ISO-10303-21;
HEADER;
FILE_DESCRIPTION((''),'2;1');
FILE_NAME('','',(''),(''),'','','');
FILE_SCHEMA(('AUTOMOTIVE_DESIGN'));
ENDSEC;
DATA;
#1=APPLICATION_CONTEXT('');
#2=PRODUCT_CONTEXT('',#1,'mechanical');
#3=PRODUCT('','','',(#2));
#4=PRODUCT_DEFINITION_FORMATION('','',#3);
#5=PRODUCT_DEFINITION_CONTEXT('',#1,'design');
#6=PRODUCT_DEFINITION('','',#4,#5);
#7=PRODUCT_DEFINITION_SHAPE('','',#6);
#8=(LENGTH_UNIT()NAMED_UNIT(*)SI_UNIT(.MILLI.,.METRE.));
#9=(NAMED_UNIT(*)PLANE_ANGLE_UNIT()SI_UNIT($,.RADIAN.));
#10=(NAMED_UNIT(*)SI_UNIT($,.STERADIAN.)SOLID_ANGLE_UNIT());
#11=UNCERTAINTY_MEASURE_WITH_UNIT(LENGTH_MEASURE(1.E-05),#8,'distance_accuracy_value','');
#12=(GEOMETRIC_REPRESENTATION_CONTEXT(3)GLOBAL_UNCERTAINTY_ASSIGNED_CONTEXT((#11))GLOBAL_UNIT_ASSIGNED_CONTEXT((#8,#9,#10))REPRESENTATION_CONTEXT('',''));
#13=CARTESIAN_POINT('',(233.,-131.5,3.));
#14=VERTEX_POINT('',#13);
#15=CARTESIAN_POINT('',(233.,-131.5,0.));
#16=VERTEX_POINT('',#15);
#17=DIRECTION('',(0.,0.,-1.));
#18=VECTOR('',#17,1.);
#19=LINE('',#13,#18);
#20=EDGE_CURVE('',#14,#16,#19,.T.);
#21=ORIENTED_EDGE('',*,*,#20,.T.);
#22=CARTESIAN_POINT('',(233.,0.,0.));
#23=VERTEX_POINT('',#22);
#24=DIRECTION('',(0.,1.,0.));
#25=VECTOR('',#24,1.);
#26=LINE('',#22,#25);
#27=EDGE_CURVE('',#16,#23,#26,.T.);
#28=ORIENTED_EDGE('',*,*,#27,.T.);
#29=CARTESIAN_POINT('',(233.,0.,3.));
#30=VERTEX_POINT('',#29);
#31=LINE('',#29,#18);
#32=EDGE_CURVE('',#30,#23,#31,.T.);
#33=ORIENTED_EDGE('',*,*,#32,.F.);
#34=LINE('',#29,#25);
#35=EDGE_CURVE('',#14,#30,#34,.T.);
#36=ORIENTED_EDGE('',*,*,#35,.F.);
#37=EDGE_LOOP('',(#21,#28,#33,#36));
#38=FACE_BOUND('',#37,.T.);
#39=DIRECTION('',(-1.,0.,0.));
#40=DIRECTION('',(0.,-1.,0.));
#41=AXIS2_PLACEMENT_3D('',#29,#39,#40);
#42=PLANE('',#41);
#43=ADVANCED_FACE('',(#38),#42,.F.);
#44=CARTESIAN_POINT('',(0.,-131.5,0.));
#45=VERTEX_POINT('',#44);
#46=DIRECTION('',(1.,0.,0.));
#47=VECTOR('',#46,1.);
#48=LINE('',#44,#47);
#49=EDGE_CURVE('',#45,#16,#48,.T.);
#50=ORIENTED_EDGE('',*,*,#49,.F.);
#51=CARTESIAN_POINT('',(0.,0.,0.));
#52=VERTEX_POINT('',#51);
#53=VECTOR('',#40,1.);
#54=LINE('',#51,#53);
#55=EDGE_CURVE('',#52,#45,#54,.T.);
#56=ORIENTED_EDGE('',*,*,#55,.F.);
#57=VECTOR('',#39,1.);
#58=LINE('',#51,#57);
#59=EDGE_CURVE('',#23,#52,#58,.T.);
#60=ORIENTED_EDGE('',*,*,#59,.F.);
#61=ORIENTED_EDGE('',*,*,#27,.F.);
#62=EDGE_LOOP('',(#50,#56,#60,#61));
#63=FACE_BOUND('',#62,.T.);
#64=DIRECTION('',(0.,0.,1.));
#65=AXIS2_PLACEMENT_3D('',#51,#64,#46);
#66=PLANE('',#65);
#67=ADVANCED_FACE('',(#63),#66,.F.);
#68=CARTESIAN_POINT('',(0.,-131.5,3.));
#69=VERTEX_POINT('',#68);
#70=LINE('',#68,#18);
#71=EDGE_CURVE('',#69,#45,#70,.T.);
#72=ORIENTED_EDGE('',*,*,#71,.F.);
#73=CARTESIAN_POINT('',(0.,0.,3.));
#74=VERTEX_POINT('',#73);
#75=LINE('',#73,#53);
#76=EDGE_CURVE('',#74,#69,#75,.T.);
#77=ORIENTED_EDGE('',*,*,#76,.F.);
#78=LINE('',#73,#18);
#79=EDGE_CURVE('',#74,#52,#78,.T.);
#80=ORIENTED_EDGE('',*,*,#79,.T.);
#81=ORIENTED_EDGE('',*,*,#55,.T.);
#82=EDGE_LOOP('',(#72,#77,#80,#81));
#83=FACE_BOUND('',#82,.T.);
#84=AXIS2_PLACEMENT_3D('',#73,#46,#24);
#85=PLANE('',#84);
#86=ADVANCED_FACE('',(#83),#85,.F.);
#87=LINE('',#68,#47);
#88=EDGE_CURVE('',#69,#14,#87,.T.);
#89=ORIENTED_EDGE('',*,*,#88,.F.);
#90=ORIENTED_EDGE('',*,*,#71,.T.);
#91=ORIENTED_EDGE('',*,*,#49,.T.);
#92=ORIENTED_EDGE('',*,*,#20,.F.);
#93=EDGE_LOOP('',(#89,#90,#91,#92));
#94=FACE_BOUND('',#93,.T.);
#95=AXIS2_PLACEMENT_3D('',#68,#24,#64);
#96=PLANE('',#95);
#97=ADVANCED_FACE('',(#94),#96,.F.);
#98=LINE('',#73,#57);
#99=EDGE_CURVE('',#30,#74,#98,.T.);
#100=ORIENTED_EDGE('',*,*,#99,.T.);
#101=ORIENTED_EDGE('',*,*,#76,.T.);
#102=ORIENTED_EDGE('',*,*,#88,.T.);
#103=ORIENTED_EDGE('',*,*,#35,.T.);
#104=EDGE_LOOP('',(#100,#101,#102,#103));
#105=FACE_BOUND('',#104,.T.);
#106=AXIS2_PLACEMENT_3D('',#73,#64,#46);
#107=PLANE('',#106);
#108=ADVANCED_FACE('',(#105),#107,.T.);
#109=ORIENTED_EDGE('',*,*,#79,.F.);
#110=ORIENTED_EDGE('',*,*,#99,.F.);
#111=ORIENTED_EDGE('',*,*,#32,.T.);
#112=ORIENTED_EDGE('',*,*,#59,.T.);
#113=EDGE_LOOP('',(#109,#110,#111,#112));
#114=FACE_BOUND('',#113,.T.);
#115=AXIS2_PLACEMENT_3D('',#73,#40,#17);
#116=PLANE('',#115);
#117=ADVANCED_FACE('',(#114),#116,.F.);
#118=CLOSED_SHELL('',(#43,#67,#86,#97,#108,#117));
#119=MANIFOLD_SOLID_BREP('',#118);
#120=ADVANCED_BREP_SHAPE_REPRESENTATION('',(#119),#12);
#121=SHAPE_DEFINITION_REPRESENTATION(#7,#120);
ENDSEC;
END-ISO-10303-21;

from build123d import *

# Parameters (mm, degrees)
SKETCH1_W           = 233
SKETCH1_H           = 131.5
BOSS_EXTRUDE1_DEPTH = 3


with BuildPart() as part:
    # Sketch1 → Boss-Extrude1 (new body)
    with BuildSketch(Plane.XY):
        with Locations((116.5, -65.75)):
            Rectangle(SKETCH1_W, SKETCH1_H)
    extrude(amount=BOSS_EXTRUDE1_DEPTH)


solid = part.part
